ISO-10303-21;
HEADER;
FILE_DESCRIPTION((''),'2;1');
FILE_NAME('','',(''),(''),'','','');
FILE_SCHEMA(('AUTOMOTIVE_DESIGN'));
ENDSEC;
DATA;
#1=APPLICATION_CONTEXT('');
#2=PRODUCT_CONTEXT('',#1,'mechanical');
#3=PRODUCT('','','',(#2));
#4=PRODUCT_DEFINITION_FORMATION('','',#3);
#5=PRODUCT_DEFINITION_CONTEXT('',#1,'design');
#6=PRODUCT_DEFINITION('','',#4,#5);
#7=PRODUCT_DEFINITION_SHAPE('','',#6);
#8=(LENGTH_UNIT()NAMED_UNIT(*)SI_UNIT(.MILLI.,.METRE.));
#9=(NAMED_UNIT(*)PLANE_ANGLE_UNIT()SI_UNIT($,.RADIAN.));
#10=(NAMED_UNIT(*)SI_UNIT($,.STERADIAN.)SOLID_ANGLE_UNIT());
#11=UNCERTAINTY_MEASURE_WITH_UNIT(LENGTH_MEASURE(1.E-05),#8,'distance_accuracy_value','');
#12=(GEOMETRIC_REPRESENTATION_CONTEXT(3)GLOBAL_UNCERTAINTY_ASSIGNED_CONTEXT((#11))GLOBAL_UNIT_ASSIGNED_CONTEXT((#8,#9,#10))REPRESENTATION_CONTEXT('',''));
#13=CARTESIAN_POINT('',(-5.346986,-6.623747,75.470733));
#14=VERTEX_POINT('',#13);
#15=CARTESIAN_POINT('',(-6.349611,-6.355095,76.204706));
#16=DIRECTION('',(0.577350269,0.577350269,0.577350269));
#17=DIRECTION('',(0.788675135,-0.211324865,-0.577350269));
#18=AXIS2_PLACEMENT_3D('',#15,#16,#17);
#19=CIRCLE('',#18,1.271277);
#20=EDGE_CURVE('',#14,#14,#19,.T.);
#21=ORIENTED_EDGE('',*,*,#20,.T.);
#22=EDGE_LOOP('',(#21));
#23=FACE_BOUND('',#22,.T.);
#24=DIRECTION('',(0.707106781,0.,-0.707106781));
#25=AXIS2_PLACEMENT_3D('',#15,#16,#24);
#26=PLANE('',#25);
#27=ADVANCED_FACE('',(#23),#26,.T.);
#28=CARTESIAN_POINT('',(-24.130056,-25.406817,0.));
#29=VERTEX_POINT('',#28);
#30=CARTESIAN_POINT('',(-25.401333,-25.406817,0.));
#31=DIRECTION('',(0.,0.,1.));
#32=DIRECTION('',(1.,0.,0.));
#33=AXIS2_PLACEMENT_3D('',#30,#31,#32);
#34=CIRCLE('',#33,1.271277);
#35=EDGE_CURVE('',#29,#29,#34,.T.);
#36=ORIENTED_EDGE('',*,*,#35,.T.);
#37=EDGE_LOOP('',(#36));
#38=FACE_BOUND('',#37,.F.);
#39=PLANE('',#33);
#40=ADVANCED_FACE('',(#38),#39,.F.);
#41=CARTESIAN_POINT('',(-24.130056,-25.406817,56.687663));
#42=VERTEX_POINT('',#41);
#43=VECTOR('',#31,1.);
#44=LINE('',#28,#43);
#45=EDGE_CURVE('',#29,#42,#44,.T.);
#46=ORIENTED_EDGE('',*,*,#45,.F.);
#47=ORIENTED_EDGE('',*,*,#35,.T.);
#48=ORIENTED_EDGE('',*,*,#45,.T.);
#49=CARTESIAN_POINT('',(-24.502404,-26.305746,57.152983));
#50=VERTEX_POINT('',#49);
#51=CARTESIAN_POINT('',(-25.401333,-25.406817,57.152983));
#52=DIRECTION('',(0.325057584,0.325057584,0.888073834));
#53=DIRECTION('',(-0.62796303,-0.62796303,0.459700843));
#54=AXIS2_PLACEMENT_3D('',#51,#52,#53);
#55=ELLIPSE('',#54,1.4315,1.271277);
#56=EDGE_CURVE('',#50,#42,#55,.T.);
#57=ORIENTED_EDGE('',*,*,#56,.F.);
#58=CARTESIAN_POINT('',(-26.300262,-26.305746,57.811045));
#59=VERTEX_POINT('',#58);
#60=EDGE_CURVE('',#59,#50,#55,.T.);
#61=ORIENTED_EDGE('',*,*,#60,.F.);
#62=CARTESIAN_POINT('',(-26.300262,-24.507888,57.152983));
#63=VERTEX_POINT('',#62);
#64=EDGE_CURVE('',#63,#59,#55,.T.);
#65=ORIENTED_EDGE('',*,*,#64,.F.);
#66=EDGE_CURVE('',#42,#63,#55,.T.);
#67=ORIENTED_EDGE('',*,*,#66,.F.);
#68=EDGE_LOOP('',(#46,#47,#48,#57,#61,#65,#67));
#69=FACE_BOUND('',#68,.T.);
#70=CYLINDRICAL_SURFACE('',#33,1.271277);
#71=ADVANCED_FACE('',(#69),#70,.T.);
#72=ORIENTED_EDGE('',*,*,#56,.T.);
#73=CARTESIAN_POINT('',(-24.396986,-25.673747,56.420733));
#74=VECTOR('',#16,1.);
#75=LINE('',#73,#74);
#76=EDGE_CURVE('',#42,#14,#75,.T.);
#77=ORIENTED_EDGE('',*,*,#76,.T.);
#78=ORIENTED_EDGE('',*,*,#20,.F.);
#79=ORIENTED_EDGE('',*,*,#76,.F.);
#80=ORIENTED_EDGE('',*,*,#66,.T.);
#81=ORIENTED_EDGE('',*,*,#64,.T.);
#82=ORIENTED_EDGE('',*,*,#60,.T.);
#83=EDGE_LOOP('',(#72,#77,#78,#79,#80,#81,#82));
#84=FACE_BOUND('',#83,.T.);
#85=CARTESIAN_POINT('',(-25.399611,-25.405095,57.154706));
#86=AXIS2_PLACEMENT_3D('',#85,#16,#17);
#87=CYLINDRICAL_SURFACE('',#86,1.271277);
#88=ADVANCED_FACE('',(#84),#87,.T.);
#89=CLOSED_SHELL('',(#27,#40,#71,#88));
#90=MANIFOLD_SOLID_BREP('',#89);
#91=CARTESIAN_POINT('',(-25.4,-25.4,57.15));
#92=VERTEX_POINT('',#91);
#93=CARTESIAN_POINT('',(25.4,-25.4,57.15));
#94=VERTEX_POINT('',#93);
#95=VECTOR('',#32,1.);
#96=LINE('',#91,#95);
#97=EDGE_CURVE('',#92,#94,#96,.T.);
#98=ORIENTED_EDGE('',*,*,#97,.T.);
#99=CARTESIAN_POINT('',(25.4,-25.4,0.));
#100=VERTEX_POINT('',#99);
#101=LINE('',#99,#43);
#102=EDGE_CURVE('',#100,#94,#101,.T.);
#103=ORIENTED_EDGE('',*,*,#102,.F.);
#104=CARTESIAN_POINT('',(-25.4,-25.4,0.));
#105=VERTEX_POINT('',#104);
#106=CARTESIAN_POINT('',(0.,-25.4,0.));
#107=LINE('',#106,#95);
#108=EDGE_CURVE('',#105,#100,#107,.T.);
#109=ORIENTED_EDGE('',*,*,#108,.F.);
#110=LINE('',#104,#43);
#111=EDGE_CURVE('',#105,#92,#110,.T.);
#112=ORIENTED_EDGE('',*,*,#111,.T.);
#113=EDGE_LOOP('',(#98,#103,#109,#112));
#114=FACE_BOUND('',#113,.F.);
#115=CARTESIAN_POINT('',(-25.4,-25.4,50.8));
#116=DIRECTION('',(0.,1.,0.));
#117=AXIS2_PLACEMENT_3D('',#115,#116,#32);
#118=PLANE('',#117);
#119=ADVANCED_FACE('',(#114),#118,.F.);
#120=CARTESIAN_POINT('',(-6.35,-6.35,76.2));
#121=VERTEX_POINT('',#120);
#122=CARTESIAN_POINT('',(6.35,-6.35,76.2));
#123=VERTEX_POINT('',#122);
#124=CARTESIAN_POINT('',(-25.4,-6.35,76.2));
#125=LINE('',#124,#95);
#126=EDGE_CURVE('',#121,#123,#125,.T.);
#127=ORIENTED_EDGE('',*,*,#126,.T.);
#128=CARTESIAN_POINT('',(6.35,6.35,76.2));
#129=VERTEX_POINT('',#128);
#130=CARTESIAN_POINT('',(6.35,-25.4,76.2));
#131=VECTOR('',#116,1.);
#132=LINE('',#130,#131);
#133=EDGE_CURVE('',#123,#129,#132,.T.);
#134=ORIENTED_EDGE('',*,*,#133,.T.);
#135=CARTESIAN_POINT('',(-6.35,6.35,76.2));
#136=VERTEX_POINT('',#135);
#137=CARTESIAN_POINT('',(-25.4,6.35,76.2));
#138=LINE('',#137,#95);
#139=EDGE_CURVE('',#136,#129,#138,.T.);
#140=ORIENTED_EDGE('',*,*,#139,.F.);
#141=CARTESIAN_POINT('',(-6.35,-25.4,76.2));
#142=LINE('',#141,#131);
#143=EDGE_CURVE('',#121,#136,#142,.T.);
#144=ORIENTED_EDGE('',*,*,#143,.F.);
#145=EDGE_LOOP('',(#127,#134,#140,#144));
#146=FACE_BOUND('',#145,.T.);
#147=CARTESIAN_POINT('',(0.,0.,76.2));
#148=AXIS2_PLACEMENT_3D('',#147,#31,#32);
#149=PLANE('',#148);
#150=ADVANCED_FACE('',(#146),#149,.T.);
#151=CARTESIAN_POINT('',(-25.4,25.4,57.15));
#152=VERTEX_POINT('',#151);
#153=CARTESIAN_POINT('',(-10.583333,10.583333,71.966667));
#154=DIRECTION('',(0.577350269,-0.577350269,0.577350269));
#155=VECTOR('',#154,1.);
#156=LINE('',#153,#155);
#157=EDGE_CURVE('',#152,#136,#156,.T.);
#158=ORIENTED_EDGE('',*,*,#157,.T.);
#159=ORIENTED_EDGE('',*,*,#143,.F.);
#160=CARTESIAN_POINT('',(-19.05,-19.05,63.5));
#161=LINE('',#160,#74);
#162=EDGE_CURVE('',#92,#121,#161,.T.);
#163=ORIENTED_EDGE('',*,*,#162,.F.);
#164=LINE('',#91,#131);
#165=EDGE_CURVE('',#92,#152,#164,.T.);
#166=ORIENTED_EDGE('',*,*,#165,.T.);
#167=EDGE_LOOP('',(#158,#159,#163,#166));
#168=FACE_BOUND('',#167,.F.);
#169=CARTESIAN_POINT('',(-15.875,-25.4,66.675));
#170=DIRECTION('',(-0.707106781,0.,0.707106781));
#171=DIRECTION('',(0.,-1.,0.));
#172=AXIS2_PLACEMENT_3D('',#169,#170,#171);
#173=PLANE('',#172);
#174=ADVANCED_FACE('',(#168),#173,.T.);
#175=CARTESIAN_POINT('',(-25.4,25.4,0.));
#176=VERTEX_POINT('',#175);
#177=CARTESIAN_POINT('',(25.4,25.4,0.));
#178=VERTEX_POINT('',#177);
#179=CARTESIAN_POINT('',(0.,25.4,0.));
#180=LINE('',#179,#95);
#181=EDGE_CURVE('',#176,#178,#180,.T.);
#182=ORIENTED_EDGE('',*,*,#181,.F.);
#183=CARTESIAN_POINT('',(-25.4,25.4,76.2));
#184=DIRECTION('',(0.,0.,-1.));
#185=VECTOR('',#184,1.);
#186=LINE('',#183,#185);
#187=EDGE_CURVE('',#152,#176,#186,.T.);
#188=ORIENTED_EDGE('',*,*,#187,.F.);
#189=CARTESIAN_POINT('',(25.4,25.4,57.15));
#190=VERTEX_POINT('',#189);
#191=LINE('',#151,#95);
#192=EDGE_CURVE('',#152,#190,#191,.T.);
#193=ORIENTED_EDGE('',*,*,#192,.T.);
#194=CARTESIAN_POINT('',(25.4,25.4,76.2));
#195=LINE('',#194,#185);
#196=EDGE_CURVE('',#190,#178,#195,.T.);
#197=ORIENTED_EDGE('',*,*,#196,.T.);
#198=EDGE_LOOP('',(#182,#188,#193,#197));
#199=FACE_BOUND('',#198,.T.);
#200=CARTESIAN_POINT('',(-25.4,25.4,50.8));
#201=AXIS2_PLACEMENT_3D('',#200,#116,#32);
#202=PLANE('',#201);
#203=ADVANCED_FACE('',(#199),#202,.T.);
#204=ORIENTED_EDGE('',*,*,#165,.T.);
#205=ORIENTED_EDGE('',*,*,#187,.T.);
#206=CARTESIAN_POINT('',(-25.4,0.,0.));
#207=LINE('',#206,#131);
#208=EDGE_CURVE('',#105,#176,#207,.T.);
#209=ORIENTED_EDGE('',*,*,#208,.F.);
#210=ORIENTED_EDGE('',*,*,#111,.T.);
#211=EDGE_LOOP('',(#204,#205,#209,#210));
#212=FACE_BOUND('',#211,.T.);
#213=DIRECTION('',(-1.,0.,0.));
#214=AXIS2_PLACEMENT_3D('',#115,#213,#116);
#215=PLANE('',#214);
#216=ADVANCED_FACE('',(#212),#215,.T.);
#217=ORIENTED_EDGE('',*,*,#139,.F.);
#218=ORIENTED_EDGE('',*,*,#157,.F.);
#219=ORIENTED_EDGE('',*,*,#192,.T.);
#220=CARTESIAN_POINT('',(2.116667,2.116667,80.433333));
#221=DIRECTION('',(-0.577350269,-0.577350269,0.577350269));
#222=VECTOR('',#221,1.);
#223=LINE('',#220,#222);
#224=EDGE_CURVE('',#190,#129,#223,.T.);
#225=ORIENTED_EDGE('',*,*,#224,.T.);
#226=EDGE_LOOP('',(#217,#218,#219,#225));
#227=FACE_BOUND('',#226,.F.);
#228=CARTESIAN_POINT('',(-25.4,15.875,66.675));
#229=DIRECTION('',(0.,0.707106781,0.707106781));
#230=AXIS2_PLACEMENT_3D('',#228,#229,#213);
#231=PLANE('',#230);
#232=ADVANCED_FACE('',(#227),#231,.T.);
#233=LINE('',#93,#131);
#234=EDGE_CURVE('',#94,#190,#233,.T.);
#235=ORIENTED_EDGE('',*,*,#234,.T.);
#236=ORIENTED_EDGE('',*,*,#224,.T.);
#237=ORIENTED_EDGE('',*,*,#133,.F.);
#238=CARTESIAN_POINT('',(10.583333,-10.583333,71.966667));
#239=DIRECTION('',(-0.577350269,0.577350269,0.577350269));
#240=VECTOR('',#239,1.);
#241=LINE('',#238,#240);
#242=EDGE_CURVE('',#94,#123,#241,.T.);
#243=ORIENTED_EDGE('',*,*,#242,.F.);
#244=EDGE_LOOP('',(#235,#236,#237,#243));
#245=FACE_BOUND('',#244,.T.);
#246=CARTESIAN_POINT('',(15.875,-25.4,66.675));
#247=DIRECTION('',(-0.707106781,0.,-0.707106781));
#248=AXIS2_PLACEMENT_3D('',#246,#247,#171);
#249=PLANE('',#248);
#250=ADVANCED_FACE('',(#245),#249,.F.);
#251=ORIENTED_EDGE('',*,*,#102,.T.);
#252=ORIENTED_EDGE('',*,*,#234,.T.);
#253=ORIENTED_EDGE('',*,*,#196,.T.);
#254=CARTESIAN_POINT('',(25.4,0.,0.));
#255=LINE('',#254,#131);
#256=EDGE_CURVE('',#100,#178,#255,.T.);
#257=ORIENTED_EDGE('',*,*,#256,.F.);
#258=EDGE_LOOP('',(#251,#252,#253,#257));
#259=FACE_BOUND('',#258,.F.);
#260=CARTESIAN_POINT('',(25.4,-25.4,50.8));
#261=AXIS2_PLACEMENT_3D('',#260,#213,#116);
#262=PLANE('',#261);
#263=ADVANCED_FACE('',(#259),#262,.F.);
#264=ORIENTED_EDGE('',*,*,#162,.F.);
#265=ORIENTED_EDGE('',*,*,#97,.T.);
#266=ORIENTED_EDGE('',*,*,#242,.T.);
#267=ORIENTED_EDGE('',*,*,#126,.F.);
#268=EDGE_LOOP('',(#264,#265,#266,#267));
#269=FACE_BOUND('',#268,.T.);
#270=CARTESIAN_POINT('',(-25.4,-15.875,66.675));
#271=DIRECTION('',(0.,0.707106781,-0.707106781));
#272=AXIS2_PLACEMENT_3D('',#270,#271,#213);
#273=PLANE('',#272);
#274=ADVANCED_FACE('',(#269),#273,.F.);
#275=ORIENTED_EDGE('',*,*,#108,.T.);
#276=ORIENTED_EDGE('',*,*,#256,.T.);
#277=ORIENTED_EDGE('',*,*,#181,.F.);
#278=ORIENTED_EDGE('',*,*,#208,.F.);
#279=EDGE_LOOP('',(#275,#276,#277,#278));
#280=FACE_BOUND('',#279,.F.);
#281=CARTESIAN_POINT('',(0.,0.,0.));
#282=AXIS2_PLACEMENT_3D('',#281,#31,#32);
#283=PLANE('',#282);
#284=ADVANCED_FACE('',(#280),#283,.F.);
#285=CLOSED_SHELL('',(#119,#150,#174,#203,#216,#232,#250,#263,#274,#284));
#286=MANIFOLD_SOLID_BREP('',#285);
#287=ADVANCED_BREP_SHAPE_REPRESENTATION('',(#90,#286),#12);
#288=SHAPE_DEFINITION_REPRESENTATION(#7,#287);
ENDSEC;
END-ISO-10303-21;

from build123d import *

# Parameters (mm, degrees)
F0_W     = 50.8
F0_H     = 50.8
F1_DEPTH = 50.8
F2_DEPTH = 25.4
F3_SIZE  = 19.05
F4_R     = 1.2712774292


with BuildPart() as f1:
    # F0 (on Top) → F1 (new body)
    with BuildSketch(Plane.XY):
        Rectangle(F0_W, F0_H)
    extrude(amount=F1_DEPTH)

    # F2 (add): a face of the model
    f2_faces = [f1.faces().sort_by_distance(p)[0] for p in [
        (0, 0, 50.8),
    ]]
    extrude(f2_faces, amount=F2_DEPTH)

    # F3
    f3_edges = [f1.edges().sort_by_distance(p)[0] for p in [
        (0, 25.4, 76.2),
        (25.4, 0, 76.2),
        (0, -25.4, 76.2),
        (-25.4, 0, 76.2),
    ]]
    chamfer(f3_edges, length=F3_SIZE)


with BuildPart() as f5:
    # F5: sweep along a path in F5_path
    with BuildLine(Plane(origin=(-25.4, -25.4, 0), x_dir=(-0.7071067812, -0.7071067812, 0), z_dir=(0.7071067812, -0.7071067812, 0))) as f5_path:
        Line((0, 0), (0, -57.15))
        Line((0, -57.15), (-26.9407683632, -76.2))
    # F4 (on Top) → F5 (sweep)
    with BuildSketch(Plane.XY):
        with Locations((-25.401333347, -25.4068169743)):
            Circle(F4_R)
    sweep(path=f5_path.line, transition=Transition.RIGHT)


solid = Compound([f1.part, f5.part])
